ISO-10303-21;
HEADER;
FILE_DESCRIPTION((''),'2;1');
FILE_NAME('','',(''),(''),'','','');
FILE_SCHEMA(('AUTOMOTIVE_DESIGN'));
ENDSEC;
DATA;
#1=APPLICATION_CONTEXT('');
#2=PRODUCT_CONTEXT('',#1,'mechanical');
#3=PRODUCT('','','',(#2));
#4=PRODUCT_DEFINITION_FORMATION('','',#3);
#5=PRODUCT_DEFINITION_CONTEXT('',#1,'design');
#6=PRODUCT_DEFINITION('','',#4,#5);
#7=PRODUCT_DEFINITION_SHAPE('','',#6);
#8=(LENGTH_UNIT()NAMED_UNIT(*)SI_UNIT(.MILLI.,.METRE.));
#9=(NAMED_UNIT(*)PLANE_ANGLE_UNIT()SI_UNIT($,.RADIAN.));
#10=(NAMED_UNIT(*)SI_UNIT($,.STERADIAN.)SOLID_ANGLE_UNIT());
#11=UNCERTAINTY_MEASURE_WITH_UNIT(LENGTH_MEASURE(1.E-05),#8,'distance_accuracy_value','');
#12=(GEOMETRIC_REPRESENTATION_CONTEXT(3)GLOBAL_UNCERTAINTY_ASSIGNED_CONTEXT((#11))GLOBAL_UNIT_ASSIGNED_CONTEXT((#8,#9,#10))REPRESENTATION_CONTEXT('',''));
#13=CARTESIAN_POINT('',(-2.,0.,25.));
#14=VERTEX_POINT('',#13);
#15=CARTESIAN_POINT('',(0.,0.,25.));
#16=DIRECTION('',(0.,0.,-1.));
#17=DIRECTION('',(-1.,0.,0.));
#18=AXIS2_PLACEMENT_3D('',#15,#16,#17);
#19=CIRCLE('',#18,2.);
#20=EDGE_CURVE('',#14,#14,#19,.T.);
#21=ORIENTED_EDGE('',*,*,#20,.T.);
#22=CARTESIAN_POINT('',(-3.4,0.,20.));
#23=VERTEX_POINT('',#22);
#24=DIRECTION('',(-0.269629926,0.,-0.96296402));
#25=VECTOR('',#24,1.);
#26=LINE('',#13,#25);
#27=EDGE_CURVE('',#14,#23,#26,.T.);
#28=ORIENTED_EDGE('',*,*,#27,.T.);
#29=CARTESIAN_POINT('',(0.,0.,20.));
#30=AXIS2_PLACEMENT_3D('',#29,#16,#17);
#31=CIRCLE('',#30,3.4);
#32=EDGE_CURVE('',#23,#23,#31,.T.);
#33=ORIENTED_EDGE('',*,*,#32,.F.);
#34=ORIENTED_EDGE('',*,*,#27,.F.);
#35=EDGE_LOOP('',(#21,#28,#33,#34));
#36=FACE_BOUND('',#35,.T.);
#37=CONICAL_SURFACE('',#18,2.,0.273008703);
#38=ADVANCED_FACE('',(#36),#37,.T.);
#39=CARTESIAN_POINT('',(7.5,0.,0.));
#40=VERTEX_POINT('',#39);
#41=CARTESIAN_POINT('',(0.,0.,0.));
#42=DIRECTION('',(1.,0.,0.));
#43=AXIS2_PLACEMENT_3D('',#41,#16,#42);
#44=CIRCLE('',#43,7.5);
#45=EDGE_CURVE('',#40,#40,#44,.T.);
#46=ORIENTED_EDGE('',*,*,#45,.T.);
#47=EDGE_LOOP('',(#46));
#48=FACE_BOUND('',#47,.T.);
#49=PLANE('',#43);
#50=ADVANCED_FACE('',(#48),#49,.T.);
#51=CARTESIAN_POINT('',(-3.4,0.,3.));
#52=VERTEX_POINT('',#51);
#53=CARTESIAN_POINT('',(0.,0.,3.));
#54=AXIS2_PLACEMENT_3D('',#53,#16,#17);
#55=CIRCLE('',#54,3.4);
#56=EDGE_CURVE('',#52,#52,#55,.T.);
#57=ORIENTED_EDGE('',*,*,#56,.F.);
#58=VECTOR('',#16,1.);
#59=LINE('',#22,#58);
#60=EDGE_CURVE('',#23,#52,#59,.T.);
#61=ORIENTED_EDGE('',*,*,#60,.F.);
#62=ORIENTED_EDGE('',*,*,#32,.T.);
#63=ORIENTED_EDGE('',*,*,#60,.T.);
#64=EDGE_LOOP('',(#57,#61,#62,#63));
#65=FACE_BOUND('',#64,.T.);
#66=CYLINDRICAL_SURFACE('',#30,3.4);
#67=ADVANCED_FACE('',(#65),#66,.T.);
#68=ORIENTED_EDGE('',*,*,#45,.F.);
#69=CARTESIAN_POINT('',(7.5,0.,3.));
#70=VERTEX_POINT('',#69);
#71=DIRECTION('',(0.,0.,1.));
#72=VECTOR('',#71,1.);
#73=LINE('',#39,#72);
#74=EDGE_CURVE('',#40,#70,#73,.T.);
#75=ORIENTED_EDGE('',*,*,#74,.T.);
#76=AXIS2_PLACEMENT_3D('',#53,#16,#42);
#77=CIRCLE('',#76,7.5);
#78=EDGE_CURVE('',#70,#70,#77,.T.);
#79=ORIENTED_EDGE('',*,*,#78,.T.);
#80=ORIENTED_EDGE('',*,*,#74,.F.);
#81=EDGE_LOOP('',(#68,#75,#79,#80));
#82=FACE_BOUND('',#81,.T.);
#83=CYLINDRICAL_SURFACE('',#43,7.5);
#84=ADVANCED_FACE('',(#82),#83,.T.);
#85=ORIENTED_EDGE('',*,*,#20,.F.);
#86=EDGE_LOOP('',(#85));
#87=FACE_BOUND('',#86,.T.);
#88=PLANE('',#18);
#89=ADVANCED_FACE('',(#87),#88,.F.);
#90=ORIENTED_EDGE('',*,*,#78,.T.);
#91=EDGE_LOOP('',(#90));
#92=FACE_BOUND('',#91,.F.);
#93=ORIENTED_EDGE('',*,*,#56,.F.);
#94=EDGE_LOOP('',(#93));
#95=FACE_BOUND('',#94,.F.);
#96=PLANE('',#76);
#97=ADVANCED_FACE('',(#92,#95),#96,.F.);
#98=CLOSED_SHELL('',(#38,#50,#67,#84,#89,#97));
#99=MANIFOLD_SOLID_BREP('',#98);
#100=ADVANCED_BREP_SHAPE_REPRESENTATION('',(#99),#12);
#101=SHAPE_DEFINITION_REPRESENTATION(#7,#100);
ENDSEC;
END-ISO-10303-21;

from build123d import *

# Parameters (mm, degrees)
F2_R     = 7.5
F3_DEPTH = 3


with BuildPart() as f1:
    # F0 (on Front) → F1 (revolve)
    with BuildSketch(Plane.XZ):
        Polygon((-3.4, 20), (-3.4, 0), (0, 0), (0, 25), (-2, 25), align=None)
    revolve(axis=Axis((0, 0, 24.376468), (0, 0, -1)))

    # F2 (on face) → F3 (join)
    with BuildSketch(Plane(origin=(0, 0, 0), x_dir=(1, 0, 0), z_dir=(0, 0, -1))):
        Circle(F2_R)
    extrude(amount=-F3_DEPTH)


solid = f1.part
